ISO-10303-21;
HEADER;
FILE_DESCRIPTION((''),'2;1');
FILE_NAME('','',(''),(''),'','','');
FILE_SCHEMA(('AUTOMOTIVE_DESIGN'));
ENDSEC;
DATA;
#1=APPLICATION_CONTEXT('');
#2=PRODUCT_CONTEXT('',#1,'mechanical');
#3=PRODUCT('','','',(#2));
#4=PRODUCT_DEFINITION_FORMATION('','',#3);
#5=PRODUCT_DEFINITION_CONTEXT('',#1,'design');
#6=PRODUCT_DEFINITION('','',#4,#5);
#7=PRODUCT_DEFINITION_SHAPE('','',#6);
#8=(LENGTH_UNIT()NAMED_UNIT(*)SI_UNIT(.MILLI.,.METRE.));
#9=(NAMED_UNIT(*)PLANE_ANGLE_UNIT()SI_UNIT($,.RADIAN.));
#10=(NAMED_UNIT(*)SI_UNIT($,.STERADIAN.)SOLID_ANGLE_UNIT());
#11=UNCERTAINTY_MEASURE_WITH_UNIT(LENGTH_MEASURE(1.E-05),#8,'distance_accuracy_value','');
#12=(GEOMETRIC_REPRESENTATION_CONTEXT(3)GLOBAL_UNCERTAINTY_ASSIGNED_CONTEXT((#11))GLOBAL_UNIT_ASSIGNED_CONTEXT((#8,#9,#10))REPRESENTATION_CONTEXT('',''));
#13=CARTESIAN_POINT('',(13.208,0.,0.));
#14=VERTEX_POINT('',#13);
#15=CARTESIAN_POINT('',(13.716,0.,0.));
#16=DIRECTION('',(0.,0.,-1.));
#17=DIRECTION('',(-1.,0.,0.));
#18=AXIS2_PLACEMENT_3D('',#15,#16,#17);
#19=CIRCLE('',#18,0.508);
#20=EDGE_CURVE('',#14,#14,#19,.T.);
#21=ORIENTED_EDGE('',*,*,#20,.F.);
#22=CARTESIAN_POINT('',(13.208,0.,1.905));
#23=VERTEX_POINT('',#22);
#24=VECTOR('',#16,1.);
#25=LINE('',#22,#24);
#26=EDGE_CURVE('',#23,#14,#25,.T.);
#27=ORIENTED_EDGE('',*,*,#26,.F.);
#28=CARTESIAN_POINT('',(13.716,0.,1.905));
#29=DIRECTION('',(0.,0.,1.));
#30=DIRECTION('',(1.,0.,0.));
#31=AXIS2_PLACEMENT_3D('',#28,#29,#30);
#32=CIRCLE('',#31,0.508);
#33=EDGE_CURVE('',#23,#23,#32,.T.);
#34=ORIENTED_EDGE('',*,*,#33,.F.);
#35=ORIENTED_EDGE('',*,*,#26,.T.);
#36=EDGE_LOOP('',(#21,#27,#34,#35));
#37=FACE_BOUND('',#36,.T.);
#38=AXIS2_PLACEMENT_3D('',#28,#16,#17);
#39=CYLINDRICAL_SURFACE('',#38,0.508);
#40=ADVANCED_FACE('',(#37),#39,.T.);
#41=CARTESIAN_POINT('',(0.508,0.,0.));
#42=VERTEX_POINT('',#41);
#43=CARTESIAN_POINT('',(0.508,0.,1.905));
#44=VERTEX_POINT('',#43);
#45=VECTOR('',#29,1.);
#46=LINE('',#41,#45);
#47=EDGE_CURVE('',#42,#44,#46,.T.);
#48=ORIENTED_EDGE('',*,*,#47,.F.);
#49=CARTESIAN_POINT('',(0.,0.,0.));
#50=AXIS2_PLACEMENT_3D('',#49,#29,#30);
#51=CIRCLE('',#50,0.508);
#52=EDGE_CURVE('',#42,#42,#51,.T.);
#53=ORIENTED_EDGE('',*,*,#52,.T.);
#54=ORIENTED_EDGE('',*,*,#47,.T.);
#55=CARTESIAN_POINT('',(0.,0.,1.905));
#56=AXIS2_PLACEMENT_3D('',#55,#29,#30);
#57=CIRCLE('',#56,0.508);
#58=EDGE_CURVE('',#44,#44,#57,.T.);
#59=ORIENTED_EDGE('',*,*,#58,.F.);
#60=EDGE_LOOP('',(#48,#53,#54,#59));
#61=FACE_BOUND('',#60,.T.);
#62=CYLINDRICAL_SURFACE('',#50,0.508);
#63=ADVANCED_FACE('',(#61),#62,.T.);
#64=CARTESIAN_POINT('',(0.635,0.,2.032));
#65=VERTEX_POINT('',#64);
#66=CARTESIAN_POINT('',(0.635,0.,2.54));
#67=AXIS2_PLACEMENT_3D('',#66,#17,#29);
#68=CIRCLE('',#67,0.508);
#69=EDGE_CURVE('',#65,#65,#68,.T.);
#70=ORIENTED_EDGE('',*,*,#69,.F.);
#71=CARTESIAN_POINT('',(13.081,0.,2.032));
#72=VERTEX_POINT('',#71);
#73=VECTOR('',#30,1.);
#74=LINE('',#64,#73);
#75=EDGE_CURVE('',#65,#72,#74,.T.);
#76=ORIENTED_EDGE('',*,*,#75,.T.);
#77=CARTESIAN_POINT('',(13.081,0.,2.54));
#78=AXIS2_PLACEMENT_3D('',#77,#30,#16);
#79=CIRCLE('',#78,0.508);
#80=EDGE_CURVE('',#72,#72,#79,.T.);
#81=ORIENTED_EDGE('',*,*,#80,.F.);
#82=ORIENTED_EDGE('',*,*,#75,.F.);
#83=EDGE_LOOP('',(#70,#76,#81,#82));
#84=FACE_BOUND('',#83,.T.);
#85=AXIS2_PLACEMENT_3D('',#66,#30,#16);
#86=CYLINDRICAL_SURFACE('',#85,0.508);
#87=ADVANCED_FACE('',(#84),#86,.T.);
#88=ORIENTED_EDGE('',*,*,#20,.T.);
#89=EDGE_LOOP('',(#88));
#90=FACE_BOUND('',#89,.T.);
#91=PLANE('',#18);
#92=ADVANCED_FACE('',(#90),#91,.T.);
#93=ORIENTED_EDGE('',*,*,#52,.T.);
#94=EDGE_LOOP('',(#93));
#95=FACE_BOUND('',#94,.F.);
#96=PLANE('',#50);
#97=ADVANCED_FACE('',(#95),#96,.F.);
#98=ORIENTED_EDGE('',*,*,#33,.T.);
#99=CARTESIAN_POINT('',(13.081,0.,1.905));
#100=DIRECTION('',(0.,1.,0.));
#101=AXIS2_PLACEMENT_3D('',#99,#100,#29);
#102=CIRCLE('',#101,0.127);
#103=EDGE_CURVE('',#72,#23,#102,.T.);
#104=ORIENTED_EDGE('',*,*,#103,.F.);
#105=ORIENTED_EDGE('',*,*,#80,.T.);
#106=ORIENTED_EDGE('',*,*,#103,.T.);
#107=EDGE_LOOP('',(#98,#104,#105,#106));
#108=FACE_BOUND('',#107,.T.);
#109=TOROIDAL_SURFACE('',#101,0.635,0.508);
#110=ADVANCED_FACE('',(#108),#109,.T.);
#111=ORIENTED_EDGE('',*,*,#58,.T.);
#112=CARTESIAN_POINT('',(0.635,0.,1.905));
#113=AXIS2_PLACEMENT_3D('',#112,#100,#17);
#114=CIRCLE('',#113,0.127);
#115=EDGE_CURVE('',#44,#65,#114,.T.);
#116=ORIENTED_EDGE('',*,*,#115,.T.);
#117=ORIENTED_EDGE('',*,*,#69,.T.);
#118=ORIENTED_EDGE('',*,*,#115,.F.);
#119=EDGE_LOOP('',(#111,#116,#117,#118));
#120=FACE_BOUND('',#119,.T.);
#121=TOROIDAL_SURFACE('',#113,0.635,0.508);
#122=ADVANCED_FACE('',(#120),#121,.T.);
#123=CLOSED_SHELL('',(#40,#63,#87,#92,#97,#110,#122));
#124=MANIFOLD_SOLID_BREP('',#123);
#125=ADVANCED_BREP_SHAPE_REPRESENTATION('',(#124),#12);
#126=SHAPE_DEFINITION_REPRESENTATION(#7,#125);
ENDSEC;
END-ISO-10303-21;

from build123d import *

# Parameters (mm, degrees)
F1_R = 0.508


with BuildPart() as f2:
    # F2: sweep along a path in F0
    with BuildLine(Plane.XZ) as f2_path:
        Line((0, 0), (0, 1.905))
        ThreePointArc((0, 1.905), (0.1859871939, 2.3540128061), (0.635, 2.54))
        Line((0.635, 2.54), (13.081, 2.54))
        ThreePointArc((13.081, 2.54), (13.5300128061, 2.3540128061), (13.716, 1.905))
        Line((13.716, 1.905), (13.716, 0))
    # F1 (on Top) → F2 (sweep)
    with BuildSketch(Plane.XY):
        Circle(F1_R)
    sweep(path=f2_path.line)


solid = f2.part
